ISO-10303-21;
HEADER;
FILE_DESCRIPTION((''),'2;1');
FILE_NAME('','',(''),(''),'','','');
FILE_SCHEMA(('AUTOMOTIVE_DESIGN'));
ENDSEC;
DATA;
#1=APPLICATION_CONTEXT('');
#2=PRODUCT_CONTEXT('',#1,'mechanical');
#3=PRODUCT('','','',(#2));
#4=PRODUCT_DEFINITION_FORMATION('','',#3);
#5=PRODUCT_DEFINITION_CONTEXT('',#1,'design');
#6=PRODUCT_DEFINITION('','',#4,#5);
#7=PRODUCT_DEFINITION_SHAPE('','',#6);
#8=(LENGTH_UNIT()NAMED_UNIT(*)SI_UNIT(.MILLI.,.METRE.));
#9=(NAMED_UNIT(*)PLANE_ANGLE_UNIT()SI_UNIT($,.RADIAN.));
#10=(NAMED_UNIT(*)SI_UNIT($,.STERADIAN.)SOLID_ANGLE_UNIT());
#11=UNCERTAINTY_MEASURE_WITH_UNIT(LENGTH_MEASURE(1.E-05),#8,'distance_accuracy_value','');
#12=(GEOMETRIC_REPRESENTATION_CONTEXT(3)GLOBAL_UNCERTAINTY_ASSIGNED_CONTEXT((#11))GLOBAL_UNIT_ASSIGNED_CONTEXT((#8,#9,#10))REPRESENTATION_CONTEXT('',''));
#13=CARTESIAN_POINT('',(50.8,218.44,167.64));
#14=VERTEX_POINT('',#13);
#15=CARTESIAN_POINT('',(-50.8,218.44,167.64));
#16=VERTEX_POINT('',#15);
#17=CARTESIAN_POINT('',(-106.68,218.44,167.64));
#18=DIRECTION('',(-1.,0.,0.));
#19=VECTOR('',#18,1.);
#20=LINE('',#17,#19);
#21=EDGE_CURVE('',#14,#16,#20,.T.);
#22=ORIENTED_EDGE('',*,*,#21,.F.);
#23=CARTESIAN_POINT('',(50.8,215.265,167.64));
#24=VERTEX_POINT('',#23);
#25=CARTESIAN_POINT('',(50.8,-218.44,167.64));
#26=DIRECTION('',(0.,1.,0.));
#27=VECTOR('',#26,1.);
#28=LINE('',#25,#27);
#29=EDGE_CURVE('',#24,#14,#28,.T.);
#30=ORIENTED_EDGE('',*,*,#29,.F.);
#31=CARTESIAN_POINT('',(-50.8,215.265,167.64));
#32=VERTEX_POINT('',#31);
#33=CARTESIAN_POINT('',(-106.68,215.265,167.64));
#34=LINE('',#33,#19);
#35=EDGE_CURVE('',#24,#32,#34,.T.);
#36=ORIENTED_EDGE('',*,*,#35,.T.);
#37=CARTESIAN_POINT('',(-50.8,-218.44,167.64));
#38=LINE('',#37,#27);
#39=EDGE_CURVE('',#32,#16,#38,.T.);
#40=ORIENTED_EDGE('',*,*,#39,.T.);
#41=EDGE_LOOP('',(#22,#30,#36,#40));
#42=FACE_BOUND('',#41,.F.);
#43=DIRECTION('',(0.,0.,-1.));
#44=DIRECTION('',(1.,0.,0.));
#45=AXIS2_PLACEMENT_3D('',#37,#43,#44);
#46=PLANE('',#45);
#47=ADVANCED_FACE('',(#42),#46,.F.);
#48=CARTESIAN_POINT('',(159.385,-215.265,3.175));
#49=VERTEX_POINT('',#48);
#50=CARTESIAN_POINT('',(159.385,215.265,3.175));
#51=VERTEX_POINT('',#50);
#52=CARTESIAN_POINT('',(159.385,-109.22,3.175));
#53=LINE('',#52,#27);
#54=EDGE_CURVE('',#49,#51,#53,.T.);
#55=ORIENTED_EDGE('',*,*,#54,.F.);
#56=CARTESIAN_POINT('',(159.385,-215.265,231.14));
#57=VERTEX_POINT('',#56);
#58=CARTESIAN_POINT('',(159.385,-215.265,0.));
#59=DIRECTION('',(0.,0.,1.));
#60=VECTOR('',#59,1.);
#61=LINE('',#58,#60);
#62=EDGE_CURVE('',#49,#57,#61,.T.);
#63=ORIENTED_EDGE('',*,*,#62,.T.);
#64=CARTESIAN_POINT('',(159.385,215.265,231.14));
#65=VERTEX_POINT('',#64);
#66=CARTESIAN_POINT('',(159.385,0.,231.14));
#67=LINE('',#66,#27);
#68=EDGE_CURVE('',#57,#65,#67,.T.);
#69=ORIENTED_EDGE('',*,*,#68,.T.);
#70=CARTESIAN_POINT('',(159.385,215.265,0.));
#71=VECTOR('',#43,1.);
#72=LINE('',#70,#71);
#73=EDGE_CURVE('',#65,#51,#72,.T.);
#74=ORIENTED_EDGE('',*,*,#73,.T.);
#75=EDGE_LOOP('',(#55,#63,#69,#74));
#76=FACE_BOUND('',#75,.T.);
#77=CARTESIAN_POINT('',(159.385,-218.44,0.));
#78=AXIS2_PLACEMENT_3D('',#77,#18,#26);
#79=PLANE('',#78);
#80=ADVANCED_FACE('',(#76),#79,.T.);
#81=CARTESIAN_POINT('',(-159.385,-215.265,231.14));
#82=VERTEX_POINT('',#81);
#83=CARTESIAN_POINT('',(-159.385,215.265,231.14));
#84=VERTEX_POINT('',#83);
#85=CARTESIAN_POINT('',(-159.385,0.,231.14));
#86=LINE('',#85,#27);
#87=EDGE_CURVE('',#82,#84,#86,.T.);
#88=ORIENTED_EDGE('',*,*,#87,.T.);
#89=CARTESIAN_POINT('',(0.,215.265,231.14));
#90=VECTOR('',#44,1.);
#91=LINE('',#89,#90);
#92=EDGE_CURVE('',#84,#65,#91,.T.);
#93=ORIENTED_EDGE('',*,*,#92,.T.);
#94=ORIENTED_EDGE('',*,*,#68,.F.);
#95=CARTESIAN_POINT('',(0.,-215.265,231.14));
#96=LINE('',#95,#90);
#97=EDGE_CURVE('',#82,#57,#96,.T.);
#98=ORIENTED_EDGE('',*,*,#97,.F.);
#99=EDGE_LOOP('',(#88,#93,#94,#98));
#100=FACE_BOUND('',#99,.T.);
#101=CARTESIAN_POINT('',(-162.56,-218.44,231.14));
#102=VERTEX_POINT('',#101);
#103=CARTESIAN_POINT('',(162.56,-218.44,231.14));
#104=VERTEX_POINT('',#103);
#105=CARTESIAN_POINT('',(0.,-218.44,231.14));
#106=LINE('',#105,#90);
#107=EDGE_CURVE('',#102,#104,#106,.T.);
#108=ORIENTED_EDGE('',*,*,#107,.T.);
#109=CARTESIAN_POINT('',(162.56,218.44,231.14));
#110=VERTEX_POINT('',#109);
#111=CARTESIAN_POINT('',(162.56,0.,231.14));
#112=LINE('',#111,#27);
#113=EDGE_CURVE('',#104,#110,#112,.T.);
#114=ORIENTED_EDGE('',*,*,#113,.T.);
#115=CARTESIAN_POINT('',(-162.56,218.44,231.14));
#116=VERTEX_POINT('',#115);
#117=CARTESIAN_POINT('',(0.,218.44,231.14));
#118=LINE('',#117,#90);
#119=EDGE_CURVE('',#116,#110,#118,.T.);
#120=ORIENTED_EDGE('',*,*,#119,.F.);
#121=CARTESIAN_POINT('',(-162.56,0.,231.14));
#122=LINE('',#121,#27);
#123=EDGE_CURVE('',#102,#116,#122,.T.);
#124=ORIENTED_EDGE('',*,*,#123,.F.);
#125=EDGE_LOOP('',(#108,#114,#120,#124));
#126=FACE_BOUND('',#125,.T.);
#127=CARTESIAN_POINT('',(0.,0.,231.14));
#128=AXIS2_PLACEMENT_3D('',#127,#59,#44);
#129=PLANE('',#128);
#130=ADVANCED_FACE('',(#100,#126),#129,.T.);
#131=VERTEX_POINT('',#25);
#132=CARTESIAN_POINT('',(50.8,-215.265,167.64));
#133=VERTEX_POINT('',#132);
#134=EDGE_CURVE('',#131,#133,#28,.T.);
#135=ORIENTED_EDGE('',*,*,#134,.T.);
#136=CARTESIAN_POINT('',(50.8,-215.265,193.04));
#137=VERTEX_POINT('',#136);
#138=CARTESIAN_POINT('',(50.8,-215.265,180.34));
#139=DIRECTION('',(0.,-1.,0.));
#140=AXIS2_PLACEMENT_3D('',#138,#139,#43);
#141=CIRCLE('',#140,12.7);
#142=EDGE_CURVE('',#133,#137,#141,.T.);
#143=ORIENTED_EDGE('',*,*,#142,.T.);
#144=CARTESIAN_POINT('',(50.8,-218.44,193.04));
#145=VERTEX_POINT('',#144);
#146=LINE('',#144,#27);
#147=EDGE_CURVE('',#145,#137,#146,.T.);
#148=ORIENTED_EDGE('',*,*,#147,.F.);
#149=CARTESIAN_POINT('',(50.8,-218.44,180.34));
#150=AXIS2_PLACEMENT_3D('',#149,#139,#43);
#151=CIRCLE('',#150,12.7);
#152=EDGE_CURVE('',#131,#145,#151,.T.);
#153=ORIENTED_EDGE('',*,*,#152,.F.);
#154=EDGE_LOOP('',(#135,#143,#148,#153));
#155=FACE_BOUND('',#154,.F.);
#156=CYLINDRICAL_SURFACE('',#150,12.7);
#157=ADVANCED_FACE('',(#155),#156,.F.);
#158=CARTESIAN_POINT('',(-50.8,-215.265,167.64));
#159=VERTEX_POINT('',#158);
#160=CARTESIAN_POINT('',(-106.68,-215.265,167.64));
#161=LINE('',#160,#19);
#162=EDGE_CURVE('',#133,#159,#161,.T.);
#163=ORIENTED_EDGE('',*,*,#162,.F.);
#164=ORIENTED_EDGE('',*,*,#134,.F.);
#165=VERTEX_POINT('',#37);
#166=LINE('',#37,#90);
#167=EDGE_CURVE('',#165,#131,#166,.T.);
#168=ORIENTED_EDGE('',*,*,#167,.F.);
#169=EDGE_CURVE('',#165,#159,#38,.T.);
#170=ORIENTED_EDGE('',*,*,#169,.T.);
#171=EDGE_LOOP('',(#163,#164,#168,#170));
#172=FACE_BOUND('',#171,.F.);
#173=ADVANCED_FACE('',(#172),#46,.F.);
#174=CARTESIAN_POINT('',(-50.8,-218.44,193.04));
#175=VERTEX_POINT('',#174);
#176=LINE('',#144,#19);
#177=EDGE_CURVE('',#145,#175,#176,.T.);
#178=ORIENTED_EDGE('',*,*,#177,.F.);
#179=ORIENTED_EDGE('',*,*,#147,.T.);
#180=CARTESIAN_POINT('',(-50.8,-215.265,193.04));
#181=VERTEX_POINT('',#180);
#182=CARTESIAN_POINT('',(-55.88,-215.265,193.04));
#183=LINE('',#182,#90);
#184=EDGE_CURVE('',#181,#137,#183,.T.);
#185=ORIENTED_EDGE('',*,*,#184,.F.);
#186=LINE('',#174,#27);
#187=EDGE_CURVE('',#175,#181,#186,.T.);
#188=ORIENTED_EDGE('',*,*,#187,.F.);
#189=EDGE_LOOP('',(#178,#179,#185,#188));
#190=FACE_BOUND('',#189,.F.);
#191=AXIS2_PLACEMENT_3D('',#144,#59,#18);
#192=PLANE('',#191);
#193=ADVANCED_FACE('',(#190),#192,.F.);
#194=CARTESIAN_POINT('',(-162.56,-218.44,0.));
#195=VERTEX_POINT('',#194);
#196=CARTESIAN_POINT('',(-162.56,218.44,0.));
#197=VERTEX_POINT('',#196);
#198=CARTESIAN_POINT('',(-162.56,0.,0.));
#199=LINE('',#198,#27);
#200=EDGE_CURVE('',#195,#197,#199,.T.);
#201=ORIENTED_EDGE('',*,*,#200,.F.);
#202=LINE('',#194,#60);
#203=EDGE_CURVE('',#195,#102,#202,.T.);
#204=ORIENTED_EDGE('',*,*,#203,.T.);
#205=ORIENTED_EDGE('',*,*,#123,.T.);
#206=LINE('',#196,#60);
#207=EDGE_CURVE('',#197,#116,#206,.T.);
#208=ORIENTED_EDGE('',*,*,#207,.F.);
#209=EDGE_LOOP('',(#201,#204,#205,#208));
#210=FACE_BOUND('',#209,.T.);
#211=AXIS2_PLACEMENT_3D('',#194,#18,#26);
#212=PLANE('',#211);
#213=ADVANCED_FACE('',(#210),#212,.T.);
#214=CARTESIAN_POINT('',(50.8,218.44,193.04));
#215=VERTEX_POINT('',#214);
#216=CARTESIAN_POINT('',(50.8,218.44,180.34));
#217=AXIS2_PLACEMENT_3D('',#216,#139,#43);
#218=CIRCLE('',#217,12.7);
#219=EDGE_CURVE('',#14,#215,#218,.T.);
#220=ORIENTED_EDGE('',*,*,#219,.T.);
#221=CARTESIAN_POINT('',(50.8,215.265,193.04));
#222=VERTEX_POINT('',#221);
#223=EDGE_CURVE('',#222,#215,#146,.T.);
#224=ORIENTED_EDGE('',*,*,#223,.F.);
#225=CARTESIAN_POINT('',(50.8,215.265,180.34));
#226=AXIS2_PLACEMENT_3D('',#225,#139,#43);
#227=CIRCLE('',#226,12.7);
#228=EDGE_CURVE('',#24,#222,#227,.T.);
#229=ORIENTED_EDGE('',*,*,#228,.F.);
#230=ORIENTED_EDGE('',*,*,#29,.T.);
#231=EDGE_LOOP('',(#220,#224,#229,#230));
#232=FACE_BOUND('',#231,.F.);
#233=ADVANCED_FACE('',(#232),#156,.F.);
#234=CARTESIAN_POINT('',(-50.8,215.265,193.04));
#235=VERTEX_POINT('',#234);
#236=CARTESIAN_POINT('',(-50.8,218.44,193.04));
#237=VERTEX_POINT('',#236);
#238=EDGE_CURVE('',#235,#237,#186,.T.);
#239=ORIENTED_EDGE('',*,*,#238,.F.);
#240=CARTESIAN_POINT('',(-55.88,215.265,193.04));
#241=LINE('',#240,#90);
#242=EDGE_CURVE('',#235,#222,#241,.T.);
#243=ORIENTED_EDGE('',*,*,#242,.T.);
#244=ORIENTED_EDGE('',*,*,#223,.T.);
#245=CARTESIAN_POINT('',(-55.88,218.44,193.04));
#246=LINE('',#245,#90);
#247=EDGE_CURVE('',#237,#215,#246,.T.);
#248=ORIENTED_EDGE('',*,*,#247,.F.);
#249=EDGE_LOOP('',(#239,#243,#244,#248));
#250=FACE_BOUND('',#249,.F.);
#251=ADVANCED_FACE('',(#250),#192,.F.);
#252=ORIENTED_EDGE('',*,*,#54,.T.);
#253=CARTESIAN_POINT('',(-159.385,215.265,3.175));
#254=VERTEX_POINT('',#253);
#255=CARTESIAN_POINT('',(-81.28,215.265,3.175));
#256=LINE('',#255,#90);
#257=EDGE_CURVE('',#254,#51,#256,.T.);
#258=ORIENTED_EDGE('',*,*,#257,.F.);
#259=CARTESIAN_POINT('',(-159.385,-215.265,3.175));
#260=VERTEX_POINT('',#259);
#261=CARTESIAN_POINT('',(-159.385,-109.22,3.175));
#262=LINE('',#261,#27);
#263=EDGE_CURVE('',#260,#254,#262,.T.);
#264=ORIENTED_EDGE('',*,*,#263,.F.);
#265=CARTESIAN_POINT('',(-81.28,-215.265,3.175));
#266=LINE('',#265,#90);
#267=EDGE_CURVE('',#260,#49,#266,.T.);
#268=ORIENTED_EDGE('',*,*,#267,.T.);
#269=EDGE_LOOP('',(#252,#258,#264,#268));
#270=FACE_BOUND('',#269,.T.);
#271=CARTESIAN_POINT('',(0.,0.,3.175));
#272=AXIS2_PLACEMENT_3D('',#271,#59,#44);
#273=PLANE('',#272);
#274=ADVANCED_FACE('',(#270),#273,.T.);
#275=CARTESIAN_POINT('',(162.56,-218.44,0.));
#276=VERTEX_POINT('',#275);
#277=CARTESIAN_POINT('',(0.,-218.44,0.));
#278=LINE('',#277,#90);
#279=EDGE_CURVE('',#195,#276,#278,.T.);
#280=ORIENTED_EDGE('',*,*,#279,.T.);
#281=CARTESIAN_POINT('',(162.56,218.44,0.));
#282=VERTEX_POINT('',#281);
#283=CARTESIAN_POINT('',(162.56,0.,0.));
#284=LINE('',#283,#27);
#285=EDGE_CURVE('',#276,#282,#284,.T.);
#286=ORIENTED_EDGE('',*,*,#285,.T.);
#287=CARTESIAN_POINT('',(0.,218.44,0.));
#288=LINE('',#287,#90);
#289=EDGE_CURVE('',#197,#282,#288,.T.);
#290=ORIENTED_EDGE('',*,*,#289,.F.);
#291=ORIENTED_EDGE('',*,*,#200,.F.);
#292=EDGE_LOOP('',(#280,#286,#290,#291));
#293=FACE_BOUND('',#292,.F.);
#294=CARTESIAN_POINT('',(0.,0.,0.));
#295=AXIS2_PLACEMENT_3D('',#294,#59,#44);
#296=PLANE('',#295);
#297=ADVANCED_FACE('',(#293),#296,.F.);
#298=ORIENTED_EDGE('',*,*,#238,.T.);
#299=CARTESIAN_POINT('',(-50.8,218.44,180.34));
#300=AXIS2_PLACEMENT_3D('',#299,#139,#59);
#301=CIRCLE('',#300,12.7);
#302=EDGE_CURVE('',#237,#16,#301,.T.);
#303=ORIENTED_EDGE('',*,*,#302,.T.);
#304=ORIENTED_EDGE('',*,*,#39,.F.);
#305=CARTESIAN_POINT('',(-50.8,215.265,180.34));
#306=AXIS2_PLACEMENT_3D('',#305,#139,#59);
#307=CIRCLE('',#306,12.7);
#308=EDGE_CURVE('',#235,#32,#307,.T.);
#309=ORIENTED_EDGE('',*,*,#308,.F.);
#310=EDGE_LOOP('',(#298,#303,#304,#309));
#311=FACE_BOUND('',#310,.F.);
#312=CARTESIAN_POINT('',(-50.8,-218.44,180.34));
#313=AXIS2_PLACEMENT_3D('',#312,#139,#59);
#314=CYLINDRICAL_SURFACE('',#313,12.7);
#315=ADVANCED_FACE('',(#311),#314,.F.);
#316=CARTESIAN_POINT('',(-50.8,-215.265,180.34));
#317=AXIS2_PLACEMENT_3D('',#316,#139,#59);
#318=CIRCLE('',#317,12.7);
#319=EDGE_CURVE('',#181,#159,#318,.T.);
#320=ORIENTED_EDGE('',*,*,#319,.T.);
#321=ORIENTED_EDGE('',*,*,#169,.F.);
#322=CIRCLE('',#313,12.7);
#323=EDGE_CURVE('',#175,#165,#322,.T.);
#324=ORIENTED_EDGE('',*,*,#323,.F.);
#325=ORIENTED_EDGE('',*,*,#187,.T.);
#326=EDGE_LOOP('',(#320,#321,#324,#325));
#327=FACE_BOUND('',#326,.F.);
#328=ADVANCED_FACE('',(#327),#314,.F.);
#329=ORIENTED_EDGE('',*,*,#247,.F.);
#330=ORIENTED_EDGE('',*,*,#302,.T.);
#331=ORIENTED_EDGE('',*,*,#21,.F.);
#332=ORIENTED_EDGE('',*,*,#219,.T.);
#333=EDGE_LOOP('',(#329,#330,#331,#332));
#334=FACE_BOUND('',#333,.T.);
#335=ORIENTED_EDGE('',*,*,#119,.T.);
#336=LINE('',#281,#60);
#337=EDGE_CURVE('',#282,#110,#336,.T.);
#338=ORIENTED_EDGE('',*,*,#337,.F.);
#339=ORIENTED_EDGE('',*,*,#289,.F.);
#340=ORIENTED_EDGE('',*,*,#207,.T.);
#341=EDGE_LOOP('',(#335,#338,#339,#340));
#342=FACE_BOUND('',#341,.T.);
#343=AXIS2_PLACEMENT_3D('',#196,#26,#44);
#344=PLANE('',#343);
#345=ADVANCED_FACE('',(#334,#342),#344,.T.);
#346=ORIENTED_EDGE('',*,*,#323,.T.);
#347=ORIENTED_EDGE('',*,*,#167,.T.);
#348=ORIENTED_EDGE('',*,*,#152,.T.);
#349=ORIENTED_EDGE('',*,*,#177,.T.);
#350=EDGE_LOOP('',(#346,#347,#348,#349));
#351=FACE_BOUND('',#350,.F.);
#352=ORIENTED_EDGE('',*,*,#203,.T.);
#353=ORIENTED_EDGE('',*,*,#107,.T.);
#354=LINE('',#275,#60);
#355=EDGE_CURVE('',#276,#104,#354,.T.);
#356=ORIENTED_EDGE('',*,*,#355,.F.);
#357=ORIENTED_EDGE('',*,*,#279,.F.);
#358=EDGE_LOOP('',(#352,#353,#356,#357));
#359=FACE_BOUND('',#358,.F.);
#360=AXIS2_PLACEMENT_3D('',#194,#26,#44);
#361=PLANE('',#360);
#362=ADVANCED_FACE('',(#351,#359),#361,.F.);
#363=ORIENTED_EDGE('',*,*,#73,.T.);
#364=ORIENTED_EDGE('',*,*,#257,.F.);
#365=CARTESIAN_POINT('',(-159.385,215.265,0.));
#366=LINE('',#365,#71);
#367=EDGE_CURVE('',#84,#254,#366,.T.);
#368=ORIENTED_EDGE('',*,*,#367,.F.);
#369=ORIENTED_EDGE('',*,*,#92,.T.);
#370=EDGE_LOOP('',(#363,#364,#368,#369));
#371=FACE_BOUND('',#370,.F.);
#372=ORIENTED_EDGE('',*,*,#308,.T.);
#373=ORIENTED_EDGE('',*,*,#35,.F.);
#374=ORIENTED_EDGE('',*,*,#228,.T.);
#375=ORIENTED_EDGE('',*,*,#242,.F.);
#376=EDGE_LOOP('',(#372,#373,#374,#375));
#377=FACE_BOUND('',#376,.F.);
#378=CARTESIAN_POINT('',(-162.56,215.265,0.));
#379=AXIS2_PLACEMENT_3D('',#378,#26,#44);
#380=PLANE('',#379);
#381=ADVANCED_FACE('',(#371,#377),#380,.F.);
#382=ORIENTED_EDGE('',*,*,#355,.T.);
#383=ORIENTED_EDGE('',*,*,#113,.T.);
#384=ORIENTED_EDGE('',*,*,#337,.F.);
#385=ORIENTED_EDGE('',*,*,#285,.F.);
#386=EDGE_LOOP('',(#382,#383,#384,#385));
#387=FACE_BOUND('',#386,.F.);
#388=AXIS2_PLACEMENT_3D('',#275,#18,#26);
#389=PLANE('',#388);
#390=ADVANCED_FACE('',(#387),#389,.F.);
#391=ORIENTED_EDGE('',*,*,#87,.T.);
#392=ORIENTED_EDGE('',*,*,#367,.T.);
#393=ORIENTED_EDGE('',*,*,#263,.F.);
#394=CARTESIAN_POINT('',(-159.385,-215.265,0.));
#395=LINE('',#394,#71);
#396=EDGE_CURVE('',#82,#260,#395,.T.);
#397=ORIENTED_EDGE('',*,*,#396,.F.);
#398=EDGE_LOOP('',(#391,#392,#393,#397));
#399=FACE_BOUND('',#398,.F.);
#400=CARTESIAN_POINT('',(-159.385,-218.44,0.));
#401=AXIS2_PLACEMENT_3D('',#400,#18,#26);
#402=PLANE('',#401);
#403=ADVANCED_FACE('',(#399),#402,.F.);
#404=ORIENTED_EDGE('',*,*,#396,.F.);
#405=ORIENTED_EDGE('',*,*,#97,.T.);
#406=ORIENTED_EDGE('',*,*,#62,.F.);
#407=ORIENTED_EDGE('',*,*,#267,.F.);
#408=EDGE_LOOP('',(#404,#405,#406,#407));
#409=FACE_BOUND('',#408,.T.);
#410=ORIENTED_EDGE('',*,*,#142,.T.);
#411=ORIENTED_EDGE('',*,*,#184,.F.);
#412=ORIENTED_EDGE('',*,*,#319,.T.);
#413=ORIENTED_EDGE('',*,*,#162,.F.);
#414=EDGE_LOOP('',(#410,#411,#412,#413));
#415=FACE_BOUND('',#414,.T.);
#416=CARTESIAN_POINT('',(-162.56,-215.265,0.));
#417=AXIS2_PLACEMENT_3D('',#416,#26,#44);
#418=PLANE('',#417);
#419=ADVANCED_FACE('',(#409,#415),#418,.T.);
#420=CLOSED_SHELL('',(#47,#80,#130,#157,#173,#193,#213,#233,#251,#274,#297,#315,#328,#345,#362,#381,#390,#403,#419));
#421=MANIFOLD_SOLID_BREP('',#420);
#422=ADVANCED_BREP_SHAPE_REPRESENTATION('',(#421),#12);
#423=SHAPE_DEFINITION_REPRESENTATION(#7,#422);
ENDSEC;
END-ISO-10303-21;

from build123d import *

# Parameters (mm, degrees)
F0_W     = 325.12
F0_H     = 436.88
F1_DEPTH = 231.14
F2_T     = -3.175
F4_DEPTH = 436.881


with BuildPart() as f1:
    # F0 (on Top) → F1 (new body)
    with BuildSketch(Plane.XY):
        Rectangle(F0_W, F0_H)
    extrude(amount=F1_DEPTH)

    # F2
    f2_openings = [f1.faces().sort_by_distance(p)[0] for p in [
        (0, 0, 231.14),
    ]]
    offset(amount=F2_T, openings=f2_openings)

    # F3 (on face) → F4 (cut, through all)
    with BuildSketch(Plane.XZ.offset(218.44)):
        with BuildLine():
            ThreePointArc((-50.8, 193.04), (-63.5, 180.34), (-50.8, 167.64))
            Line((-50.8, 167.64), (50.8, 167.64))
            ThreePointArc((50.8, 167.64), (63.5, 180.34), (50.8, 193.04))
            Line((50.8, 193.04), (-50.8, 193.04))
        make_face()
    extrude(amount=-F4_DEPTH, mode=Mode.SUBTRACT)


solid = f1.part
